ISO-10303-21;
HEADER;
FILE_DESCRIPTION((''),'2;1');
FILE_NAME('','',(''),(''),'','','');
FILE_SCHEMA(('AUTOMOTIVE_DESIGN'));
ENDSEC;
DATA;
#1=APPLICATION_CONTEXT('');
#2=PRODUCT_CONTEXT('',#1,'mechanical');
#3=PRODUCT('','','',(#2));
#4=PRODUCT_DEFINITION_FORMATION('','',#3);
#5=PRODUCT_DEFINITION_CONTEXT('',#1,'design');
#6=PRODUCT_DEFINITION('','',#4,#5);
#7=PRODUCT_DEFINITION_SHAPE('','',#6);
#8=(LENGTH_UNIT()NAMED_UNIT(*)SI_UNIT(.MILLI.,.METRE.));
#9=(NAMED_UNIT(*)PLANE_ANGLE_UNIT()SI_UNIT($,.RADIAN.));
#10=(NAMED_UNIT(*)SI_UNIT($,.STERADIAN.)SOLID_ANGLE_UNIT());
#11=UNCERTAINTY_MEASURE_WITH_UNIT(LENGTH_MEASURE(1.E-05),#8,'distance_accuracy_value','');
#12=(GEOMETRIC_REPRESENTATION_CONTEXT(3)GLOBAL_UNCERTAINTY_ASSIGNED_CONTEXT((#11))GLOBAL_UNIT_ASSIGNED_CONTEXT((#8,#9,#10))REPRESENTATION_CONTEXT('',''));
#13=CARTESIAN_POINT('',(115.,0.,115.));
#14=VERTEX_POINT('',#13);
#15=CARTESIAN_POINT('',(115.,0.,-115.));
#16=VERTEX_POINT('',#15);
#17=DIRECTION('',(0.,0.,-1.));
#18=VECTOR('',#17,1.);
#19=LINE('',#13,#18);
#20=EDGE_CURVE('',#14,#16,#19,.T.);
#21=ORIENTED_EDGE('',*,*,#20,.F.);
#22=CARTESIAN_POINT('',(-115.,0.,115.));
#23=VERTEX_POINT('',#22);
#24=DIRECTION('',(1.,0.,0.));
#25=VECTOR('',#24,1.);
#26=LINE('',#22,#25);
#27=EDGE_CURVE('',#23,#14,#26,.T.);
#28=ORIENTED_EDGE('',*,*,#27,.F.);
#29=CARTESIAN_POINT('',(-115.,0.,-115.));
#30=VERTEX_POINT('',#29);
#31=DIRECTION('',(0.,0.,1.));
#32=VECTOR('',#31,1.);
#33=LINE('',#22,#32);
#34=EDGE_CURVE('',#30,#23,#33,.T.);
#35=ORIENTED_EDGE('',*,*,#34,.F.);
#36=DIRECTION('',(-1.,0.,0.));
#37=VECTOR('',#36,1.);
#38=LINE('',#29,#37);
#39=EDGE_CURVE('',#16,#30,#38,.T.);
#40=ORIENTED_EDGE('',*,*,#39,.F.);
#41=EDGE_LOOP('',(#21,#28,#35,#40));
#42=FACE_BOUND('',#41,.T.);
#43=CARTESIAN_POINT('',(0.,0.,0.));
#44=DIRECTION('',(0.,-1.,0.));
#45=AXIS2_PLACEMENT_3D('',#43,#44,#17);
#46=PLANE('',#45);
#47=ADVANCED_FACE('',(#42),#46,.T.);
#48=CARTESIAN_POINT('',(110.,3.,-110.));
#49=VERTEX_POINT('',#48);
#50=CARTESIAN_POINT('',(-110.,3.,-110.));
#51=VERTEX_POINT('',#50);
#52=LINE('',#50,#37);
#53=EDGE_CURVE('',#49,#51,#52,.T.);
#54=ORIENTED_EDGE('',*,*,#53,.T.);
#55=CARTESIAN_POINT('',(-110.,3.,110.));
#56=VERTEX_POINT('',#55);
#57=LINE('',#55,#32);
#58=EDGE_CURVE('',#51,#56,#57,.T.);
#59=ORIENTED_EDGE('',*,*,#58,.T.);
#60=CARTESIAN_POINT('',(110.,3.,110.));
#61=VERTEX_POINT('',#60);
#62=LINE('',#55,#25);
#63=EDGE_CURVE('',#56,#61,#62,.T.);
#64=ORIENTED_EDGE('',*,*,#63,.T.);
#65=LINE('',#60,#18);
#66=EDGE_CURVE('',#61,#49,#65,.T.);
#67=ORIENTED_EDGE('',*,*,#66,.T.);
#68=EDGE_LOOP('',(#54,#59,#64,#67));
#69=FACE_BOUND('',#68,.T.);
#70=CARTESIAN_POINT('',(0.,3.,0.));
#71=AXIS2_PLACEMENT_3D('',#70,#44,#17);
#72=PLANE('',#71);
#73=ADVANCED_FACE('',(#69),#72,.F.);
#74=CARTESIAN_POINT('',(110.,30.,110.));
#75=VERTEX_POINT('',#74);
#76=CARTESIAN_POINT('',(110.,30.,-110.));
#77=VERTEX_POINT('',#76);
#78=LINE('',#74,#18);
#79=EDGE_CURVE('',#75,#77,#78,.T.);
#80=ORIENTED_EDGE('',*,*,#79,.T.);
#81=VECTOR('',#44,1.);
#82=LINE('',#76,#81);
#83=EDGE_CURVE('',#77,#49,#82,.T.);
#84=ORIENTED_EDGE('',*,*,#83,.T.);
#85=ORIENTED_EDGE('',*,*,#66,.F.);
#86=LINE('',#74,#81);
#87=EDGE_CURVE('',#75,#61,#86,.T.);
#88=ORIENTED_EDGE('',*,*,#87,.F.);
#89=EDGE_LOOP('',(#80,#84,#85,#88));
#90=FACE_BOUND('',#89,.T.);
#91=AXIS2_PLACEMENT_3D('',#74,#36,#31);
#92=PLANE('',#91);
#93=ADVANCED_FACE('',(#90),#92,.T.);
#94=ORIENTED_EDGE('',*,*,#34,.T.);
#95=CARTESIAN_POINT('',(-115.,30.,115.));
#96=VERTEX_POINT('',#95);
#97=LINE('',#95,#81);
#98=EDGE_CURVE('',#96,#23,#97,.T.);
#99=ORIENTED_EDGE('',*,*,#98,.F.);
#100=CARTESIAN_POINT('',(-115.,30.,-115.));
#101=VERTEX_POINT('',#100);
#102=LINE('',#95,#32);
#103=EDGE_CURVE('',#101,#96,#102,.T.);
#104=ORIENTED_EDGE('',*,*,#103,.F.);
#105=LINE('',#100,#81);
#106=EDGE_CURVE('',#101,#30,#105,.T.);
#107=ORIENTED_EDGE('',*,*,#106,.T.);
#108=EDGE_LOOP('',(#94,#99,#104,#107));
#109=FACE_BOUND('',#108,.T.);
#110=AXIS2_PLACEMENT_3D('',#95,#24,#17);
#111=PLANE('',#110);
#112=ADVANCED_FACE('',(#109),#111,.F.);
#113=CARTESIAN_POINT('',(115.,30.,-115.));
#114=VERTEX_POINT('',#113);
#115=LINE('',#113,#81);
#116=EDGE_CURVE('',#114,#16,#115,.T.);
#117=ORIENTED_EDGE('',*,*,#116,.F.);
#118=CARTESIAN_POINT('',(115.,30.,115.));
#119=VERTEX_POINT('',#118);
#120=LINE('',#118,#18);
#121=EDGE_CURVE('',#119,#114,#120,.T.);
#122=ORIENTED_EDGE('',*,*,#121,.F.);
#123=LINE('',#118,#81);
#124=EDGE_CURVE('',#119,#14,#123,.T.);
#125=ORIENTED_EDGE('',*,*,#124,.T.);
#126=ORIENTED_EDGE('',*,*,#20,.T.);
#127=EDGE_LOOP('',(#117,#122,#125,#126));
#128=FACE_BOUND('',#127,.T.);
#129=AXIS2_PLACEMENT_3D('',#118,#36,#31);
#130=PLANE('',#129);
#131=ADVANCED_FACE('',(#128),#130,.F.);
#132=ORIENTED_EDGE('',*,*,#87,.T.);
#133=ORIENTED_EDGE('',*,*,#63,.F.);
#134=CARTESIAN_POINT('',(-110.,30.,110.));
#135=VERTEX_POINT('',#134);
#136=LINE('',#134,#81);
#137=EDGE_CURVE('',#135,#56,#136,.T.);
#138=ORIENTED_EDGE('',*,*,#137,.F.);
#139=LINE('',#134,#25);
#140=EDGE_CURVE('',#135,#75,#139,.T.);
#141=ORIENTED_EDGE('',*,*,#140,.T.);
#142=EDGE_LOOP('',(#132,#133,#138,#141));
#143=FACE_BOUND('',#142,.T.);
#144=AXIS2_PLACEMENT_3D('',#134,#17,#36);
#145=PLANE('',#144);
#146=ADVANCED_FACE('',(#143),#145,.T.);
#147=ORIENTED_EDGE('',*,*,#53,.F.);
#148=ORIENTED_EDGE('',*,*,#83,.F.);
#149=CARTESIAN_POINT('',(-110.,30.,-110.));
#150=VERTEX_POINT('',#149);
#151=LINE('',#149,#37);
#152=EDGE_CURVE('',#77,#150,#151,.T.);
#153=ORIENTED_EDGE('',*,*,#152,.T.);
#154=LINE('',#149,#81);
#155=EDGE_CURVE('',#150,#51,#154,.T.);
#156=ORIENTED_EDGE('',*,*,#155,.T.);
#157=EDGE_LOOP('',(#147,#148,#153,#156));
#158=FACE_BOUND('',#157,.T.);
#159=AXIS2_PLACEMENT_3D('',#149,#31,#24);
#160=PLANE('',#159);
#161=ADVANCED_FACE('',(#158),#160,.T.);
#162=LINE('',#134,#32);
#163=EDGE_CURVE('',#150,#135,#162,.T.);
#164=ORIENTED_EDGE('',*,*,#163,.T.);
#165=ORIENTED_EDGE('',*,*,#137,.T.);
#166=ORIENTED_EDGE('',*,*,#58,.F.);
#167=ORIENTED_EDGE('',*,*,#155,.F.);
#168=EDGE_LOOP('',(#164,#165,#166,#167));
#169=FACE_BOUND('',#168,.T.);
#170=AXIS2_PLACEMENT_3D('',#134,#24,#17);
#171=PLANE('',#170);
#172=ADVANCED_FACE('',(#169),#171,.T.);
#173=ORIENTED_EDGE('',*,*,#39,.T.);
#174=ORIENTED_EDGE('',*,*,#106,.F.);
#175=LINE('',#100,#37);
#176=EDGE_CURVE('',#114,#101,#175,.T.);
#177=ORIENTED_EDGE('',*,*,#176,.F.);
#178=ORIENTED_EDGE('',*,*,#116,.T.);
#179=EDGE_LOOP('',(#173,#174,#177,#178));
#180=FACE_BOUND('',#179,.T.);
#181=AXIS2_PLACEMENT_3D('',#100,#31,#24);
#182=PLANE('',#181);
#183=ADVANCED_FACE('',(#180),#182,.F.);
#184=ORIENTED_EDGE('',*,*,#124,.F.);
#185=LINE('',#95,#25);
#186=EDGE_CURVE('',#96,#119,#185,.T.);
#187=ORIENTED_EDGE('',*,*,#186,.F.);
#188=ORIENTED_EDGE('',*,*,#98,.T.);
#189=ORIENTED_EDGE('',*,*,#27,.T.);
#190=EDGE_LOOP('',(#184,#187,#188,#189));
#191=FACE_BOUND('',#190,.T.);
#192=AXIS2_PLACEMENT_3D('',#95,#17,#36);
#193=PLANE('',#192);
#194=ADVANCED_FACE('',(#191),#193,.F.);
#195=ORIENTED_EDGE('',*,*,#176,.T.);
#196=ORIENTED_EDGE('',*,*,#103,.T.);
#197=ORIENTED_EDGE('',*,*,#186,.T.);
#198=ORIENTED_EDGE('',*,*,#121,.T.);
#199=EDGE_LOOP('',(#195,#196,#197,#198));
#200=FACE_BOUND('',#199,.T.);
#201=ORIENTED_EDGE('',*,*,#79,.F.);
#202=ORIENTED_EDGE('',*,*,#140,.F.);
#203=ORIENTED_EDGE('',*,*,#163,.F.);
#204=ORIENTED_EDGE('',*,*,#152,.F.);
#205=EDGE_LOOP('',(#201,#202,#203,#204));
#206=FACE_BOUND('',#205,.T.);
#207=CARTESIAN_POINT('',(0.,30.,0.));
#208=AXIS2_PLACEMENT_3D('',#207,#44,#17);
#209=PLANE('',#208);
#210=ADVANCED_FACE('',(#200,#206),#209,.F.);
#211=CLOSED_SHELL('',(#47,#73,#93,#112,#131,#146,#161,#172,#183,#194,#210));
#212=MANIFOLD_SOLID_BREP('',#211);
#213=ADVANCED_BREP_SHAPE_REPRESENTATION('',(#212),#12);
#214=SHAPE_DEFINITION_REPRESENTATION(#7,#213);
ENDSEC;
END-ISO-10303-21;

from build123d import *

# Parameters (mm, degrees)
SKETCH_1_W      = 220
SKETCH_1_H      = 220
EXTRUDE_1_DEPTH = 3
SKETCH_2_W      = 230
SKETCH_2_H      = 230
SKETCH_2_W_2    = 220
SKETCH_2_H_2    = 220
EXTRUDE_2_DEPTH = 30


with BuildPart() as part:
    # Эскиз1 → Бобышка-Вытянуть1 (new body)
    with BuildSketch(Plane(origin=(0, 0, 0), x_dir=(1, 0, 0), z_dir=(0, 1, 0))):
        Rectangle(SKETCH_1_W, SKETCH_1_H)
    extrude(amount=EXTRUDE_1_DEPTH)

    # Эскиз2 → Бобышка-Вытянуть2 (add)
    with BuildSketch(Plane(origin=(0, 0, 0), x_dir=(1, 0, 0), z_dir=(0, 1, 0))):
        Rectangle(SKETCH_2_W, SKETCH_2_H)
        Rectangle(SKETCH_2_W_2, SKETCH_2_H_2, mode=Mode.SUBTRACT)
    extrude(amount=EXTRUDE_2_DEPTH)


solid = part.part
